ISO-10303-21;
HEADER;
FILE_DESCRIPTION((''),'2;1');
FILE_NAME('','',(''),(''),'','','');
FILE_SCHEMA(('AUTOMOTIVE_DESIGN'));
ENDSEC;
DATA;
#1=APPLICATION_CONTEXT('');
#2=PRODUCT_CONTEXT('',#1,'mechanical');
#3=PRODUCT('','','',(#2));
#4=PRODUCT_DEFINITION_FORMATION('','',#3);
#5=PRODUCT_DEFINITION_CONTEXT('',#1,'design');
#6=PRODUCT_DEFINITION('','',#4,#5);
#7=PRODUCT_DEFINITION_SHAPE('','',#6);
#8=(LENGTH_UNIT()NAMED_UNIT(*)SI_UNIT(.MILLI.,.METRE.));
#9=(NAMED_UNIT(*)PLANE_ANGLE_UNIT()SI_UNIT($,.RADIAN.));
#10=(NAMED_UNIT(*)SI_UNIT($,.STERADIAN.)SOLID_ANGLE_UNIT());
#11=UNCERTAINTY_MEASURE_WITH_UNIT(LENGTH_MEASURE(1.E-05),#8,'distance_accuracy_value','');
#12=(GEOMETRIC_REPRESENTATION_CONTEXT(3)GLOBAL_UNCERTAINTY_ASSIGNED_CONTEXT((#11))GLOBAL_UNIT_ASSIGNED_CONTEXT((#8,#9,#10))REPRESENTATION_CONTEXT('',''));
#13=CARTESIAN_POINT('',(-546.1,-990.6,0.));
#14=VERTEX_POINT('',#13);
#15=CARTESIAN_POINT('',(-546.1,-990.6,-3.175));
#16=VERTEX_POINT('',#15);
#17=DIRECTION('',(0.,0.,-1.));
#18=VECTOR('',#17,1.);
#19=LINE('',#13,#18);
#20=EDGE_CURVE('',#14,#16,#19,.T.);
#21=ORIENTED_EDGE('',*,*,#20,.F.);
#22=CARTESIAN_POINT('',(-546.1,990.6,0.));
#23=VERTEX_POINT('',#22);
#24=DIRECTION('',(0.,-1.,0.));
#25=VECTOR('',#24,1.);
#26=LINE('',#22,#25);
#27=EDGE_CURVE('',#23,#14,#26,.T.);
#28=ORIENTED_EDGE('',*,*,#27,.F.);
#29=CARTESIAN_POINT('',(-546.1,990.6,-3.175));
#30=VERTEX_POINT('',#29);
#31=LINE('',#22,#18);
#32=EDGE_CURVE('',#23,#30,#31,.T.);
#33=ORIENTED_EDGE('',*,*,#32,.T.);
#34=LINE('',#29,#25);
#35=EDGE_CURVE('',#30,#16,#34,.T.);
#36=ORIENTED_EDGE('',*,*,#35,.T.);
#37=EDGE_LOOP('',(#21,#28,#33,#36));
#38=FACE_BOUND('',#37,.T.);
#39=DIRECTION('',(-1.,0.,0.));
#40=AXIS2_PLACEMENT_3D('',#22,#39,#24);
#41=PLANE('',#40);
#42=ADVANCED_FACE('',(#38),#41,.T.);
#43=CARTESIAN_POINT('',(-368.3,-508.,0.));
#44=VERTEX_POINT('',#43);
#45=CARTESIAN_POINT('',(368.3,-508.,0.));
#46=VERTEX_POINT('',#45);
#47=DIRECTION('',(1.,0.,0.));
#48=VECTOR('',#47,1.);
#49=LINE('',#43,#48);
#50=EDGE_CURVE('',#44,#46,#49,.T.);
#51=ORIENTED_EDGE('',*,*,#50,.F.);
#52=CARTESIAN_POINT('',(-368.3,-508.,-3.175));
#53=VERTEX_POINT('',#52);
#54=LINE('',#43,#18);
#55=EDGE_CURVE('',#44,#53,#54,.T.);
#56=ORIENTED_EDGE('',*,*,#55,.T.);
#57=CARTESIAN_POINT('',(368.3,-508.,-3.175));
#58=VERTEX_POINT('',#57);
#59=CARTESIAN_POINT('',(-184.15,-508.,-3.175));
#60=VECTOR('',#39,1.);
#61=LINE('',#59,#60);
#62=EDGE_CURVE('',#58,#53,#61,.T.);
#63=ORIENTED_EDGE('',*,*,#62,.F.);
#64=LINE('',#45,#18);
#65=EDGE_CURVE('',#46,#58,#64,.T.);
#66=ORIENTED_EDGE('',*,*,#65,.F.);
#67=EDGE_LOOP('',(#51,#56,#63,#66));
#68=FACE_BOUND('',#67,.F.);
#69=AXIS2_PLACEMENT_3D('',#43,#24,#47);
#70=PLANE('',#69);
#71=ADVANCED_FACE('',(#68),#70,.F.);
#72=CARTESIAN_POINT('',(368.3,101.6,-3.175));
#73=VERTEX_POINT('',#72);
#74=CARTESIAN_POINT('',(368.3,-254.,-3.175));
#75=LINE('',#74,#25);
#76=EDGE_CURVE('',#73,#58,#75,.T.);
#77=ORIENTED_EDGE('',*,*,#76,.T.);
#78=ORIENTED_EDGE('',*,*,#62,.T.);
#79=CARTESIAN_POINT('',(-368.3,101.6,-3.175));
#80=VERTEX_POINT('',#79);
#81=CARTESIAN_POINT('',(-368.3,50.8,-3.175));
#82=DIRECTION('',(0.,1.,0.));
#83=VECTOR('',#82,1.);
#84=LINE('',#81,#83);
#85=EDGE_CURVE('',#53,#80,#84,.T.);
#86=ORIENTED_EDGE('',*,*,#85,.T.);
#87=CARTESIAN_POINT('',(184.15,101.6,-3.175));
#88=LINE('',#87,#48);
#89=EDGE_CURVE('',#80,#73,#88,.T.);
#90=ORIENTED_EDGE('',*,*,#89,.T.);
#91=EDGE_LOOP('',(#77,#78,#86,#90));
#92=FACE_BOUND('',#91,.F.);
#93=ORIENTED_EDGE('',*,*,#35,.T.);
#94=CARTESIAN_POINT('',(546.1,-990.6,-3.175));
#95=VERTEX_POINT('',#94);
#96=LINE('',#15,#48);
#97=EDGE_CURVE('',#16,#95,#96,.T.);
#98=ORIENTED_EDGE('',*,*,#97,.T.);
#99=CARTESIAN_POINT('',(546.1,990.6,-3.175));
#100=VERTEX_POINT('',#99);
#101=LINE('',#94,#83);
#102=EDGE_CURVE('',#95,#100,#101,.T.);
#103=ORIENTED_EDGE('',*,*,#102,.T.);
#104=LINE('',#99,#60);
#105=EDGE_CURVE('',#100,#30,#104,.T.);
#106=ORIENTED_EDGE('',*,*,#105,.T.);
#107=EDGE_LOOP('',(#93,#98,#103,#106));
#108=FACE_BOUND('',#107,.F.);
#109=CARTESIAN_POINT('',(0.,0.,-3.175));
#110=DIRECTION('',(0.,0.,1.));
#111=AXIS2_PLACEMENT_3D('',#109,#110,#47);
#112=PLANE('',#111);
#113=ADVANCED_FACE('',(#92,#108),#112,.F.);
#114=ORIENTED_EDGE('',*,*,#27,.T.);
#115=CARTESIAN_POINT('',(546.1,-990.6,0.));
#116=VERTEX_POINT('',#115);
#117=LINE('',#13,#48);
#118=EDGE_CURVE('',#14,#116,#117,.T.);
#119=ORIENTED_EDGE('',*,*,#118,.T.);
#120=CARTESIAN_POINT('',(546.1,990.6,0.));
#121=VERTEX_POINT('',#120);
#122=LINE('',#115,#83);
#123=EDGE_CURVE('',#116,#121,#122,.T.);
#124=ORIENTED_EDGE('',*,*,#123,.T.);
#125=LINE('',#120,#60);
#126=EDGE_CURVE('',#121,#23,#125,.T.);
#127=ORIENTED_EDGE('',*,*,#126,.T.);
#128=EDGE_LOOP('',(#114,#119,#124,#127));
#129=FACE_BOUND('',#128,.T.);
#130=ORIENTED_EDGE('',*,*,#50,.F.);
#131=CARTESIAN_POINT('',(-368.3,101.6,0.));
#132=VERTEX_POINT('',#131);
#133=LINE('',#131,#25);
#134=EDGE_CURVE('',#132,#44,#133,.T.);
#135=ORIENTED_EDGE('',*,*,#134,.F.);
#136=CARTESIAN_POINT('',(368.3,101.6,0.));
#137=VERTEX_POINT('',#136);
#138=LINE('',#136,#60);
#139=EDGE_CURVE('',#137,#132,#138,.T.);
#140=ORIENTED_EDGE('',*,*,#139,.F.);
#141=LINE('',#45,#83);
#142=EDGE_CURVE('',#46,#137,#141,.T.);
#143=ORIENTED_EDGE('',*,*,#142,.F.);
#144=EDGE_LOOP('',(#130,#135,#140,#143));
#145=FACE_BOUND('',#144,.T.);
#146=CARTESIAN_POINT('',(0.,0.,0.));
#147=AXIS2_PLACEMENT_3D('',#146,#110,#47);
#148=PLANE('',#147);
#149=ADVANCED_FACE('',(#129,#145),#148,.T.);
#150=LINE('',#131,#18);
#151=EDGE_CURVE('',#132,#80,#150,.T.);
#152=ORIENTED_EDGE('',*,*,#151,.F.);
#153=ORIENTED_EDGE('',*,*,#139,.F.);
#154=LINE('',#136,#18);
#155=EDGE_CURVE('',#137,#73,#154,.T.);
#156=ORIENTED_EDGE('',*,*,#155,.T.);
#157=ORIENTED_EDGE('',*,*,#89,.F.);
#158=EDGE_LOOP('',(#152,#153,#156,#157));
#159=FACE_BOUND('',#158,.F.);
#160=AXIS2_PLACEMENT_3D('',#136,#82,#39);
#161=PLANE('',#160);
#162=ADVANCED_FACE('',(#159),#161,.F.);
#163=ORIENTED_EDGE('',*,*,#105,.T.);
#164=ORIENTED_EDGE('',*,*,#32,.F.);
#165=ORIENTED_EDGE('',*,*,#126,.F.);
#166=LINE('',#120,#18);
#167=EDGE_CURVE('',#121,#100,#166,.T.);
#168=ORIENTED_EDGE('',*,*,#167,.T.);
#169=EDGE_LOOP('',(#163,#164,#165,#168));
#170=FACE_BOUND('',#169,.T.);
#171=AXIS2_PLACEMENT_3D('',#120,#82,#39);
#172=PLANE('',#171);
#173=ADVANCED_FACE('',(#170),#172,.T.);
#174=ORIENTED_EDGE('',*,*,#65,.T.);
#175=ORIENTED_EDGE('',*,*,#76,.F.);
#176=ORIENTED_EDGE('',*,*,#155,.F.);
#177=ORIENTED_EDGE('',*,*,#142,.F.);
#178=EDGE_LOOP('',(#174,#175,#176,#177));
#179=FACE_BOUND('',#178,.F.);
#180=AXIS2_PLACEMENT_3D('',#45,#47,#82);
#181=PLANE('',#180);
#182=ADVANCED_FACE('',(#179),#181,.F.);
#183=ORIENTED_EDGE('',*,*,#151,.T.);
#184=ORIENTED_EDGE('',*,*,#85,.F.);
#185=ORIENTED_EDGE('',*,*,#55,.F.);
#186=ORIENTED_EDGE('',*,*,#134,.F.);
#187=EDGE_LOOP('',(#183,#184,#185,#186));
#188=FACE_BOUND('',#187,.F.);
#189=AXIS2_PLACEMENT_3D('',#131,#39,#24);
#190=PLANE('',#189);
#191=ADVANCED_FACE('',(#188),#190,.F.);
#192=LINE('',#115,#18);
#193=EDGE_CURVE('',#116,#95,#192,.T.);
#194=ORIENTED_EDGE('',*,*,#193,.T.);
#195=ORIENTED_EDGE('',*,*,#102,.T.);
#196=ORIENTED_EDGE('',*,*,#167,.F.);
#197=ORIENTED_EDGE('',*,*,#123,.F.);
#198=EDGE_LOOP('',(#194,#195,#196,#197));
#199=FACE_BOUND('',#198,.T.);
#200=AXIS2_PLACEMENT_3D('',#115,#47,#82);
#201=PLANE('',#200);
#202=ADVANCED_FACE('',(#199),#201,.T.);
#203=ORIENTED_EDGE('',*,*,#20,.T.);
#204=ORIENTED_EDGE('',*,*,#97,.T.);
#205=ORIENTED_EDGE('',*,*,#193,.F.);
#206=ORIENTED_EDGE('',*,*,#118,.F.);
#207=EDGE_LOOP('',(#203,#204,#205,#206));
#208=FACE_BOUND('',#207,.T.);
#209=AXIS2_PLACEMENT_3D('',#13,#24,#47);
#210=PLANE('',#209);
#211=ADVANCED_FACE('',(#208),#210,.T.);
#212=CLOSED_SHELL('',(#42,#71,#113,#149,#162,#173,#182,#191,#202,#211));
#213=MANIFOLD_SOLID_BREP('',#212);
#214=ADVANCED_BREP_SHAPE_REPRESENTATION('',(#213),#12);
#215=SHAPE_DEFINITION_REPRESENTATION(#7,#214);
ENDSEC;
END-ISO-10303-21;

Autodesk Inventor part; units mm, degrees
ref_plane "YZ Plane" through (0, 0, 0) normal (1, 0, 0) x (0, 1, 0)
ref_plane "XZ Plane" through (0, 0, 0) normal (0, 1, 0) x (-1, 0, 0)
ref_plane "XY Plane" through (0, 0, 0) normal (0, 0, 1) x (1, 0, 0)
sketch "Sketch1" plane through (0, 0, 0) normal (0, 0, 1) x (1, 0, 0)
  line L0 (-546.1, -990.6) -> (546.1, -990.6)
  line L1 (546.1, -990.6) -> (546.1, 990.6)
  line L2 (546.1, 990.6) -> (-546.1, 990.6)
  line L3 (-546.1, 990.6) -> (-546.1, -990.6)
  line L4 (-546.1, -990.6) -> (546.1, 990.6) construction
  line L5 (546.1, -990.6) -> (-546.1, 990.6) construction
  point P0 (0, 0)
  dimension "d0" = 1092.2
  dimension "d1" = 1981.2
extrude "Extrusion1" add sketch "Sketch1" against normal blind 3.175
sketch "Sketch2" plane through (0, 0, 0) normal (0, 0, 1) x (1, 0, 0)
  line L0 (546.1, 990.6) -> (-546.1, 990.6) projected
  line L1 (-546.1, 990.6) -> (-546.1, -990.6) projected
  line L2 (-368.3, -508) -> (368.3, -508)
  line L3 (368.3, -508) -> (368.3, 101.6)
  line L4 (368.3, 101.6) -> (-368.3, 101.6)
  line L5 (-368.3, 101.6) -> (-368.3, -508)
  point P0 (0, 0)
  dimension "d4" = 736.6
  dimension "d6" = 609.6
  dimension "d7" = 889
  dimension "d8" = 177.8
extrude "Extrusion2" cut sketch "Sketch2" against normal up to next
properties part number "GE-13012R" material "Polyethylene, High Density"
